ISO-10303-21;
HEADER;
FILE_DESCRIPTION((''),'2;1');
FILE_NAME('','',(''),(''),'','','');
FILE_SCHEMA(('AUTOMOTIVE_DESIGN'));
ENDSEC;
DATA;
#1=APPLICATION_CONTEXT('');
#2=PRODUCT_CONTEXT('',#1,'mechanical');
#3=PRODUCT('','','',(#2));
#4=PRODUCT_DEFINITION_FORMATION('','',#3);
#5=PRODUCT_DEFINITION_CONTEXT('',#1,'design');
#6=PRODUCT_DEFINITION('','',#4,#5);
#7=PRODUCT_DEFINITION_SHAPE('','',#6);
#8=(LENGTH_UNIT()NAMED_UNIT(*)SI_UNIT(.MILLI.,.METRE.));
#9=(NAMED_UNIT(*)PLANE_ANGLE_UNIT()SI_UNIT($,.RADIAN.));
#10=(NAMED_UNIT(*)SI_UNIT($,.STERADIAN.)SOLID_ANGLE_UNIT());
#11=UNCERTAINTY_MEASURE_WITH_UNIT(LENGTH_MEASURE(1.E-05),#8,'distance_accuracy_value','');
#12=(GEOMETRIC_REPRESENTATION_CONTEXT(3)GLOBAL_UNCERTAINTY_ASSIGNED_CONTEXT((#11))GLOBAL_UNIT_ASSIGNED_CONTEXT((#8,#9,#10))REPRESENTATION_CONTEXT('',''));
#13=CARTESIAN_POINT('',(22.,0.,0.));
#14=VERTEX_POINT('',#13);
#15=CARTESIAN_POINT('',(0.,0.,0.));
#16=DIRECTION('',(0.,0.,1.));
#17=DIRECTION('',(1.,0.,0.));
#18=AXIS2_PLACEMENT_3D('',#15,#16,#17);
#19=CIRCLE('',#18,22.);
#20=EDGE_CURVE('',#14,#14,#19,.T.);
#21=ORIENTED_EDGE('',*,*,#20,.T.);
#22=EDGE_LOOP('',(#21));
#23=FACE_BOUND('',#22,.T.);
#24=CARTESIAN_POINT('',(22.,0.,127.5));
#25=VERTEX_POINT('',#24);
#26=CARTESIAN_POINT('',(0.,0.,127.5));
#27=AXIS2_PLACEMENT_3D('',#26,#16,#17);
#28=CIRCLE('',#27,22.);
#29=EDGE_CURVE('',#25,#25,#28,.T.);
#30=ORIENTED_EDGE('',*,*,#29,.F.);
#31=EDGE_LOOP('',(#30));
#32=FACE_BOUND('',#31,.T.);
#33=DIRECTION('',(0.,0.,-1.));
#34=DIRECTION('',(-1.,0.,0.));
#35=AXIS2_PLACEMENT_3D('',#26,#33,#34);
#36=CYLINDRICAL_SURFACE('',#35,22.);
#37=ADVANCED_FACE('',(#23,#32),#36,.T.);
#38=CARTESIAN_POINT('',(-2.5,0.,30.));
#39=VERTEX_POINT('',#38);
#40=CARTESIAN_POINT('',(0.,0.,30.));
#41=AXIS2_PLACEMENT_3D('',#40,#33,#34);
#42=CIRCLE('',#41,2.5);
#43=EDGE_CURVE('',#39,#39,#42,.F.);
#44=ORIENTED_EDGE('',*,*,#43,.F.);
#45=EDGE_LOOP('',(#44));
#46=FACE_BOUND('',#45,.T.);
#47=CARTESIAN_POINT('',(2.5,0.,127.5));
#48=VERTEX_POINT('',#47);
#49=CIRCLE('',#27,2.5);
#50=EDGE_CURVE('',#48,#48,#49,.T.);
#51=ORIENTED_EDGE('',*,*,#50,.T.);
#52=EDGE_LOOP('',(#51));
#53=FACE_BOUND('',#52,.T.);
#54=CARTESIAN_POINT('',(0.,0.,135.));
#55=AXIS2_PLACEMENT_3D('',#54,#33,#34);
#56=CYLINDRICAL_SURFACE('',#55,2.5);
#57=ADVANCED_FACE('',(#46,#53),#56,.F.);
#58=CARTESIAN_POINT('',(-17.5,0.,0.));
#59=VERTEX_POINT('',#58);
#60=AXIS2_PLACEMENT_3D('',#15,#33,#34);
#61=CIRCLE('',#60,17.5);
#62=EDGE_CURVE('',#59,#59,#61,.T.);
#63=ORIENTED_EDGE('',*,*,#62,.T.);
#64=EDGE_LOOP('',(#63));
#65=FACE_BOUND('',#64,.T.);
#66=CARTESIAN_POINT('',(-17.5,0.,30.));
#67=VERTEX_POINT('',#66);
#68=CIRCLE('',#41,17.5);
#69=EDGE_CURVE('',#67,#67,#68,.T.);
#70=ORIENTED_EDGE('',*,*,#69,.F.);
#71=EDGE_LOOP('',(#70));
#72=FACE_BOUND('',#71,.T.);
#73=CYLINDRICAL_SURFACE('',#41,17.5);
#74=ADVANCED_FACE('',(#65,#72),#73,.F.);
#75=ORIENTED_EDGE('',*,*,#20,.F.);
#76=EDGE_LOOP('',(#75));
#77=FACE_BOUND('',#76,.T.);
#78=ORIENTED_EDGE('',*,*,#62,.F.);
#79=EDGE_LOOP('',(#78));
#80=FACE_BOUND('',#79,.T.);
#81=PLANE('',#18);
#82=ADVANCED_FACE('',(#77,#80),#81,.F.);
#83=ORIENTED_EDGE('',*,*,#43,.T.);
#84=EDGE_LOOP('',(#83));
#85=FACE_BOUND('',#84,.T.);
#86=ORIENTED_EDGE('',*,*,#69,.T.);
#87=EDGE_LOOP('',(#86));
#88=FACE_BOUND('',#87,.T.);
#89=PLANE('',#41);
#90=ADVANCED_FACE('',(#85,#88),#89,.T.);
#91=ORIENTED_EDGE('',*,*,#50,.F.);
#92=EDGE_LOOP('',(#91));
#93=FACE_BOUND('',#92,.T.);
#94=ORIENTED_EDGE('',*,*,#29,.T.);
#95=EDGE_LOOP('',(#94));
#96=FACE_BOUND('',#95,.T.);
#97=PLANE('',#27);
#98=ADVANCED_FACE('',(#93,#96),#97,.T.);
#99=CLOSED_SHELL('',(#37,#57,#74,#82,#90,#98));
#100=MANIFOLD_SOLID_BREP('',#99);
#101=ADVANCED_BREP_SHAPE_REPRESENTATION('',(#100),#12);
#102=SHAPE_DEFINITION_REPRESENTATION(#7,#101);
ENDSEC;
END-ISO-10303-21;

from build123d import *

# Parameters (mm, degrees)
SKETCH2_R           = 22
BOSS_EXTRUDE1_DEPTH = 127.5
SKETCH3_R           = 2.5
CUT_EXTRUDE1_DEPTH  = 135
SKETCH5_R           = 17.5
CUT_EXTRUDE2_DEPTH  = 30


with BuildPart() as part:
    # Sketch2 → Boss-Extrude1 (new body)
    with BuildSketch(Plane.XY):
        Circle(SKETCH2_R)
    extrude(amount=BOSS_EXTRUDE1_DEPTH)

    # Sketch3 → Cut-Extrude1 (cut)
    with BuildSketch(Plane(origin=(0, 0, 0), x_dir=(-1, 0, 0), z_dir=(0, 0, -1))):
        Circle(SKETCH3_R)
    extrude(amount=-CUT_EXTRUDE1_DEPTH, mode=Mode.SUBTRACT)

    # Sketch5 → Cut-Extrude2 (cut)
    with BuildSketch(Plane(origin=(0, 0, 0), x_dir=(-1, 0, 0), z_dir=(0, 0, -1))):
        Circle(SKETCH5_R)
    extrude(amount=-CUT_EXTRUDE2_DEPTH, mode=Mode.SUBTRACT)


solid = part.part
